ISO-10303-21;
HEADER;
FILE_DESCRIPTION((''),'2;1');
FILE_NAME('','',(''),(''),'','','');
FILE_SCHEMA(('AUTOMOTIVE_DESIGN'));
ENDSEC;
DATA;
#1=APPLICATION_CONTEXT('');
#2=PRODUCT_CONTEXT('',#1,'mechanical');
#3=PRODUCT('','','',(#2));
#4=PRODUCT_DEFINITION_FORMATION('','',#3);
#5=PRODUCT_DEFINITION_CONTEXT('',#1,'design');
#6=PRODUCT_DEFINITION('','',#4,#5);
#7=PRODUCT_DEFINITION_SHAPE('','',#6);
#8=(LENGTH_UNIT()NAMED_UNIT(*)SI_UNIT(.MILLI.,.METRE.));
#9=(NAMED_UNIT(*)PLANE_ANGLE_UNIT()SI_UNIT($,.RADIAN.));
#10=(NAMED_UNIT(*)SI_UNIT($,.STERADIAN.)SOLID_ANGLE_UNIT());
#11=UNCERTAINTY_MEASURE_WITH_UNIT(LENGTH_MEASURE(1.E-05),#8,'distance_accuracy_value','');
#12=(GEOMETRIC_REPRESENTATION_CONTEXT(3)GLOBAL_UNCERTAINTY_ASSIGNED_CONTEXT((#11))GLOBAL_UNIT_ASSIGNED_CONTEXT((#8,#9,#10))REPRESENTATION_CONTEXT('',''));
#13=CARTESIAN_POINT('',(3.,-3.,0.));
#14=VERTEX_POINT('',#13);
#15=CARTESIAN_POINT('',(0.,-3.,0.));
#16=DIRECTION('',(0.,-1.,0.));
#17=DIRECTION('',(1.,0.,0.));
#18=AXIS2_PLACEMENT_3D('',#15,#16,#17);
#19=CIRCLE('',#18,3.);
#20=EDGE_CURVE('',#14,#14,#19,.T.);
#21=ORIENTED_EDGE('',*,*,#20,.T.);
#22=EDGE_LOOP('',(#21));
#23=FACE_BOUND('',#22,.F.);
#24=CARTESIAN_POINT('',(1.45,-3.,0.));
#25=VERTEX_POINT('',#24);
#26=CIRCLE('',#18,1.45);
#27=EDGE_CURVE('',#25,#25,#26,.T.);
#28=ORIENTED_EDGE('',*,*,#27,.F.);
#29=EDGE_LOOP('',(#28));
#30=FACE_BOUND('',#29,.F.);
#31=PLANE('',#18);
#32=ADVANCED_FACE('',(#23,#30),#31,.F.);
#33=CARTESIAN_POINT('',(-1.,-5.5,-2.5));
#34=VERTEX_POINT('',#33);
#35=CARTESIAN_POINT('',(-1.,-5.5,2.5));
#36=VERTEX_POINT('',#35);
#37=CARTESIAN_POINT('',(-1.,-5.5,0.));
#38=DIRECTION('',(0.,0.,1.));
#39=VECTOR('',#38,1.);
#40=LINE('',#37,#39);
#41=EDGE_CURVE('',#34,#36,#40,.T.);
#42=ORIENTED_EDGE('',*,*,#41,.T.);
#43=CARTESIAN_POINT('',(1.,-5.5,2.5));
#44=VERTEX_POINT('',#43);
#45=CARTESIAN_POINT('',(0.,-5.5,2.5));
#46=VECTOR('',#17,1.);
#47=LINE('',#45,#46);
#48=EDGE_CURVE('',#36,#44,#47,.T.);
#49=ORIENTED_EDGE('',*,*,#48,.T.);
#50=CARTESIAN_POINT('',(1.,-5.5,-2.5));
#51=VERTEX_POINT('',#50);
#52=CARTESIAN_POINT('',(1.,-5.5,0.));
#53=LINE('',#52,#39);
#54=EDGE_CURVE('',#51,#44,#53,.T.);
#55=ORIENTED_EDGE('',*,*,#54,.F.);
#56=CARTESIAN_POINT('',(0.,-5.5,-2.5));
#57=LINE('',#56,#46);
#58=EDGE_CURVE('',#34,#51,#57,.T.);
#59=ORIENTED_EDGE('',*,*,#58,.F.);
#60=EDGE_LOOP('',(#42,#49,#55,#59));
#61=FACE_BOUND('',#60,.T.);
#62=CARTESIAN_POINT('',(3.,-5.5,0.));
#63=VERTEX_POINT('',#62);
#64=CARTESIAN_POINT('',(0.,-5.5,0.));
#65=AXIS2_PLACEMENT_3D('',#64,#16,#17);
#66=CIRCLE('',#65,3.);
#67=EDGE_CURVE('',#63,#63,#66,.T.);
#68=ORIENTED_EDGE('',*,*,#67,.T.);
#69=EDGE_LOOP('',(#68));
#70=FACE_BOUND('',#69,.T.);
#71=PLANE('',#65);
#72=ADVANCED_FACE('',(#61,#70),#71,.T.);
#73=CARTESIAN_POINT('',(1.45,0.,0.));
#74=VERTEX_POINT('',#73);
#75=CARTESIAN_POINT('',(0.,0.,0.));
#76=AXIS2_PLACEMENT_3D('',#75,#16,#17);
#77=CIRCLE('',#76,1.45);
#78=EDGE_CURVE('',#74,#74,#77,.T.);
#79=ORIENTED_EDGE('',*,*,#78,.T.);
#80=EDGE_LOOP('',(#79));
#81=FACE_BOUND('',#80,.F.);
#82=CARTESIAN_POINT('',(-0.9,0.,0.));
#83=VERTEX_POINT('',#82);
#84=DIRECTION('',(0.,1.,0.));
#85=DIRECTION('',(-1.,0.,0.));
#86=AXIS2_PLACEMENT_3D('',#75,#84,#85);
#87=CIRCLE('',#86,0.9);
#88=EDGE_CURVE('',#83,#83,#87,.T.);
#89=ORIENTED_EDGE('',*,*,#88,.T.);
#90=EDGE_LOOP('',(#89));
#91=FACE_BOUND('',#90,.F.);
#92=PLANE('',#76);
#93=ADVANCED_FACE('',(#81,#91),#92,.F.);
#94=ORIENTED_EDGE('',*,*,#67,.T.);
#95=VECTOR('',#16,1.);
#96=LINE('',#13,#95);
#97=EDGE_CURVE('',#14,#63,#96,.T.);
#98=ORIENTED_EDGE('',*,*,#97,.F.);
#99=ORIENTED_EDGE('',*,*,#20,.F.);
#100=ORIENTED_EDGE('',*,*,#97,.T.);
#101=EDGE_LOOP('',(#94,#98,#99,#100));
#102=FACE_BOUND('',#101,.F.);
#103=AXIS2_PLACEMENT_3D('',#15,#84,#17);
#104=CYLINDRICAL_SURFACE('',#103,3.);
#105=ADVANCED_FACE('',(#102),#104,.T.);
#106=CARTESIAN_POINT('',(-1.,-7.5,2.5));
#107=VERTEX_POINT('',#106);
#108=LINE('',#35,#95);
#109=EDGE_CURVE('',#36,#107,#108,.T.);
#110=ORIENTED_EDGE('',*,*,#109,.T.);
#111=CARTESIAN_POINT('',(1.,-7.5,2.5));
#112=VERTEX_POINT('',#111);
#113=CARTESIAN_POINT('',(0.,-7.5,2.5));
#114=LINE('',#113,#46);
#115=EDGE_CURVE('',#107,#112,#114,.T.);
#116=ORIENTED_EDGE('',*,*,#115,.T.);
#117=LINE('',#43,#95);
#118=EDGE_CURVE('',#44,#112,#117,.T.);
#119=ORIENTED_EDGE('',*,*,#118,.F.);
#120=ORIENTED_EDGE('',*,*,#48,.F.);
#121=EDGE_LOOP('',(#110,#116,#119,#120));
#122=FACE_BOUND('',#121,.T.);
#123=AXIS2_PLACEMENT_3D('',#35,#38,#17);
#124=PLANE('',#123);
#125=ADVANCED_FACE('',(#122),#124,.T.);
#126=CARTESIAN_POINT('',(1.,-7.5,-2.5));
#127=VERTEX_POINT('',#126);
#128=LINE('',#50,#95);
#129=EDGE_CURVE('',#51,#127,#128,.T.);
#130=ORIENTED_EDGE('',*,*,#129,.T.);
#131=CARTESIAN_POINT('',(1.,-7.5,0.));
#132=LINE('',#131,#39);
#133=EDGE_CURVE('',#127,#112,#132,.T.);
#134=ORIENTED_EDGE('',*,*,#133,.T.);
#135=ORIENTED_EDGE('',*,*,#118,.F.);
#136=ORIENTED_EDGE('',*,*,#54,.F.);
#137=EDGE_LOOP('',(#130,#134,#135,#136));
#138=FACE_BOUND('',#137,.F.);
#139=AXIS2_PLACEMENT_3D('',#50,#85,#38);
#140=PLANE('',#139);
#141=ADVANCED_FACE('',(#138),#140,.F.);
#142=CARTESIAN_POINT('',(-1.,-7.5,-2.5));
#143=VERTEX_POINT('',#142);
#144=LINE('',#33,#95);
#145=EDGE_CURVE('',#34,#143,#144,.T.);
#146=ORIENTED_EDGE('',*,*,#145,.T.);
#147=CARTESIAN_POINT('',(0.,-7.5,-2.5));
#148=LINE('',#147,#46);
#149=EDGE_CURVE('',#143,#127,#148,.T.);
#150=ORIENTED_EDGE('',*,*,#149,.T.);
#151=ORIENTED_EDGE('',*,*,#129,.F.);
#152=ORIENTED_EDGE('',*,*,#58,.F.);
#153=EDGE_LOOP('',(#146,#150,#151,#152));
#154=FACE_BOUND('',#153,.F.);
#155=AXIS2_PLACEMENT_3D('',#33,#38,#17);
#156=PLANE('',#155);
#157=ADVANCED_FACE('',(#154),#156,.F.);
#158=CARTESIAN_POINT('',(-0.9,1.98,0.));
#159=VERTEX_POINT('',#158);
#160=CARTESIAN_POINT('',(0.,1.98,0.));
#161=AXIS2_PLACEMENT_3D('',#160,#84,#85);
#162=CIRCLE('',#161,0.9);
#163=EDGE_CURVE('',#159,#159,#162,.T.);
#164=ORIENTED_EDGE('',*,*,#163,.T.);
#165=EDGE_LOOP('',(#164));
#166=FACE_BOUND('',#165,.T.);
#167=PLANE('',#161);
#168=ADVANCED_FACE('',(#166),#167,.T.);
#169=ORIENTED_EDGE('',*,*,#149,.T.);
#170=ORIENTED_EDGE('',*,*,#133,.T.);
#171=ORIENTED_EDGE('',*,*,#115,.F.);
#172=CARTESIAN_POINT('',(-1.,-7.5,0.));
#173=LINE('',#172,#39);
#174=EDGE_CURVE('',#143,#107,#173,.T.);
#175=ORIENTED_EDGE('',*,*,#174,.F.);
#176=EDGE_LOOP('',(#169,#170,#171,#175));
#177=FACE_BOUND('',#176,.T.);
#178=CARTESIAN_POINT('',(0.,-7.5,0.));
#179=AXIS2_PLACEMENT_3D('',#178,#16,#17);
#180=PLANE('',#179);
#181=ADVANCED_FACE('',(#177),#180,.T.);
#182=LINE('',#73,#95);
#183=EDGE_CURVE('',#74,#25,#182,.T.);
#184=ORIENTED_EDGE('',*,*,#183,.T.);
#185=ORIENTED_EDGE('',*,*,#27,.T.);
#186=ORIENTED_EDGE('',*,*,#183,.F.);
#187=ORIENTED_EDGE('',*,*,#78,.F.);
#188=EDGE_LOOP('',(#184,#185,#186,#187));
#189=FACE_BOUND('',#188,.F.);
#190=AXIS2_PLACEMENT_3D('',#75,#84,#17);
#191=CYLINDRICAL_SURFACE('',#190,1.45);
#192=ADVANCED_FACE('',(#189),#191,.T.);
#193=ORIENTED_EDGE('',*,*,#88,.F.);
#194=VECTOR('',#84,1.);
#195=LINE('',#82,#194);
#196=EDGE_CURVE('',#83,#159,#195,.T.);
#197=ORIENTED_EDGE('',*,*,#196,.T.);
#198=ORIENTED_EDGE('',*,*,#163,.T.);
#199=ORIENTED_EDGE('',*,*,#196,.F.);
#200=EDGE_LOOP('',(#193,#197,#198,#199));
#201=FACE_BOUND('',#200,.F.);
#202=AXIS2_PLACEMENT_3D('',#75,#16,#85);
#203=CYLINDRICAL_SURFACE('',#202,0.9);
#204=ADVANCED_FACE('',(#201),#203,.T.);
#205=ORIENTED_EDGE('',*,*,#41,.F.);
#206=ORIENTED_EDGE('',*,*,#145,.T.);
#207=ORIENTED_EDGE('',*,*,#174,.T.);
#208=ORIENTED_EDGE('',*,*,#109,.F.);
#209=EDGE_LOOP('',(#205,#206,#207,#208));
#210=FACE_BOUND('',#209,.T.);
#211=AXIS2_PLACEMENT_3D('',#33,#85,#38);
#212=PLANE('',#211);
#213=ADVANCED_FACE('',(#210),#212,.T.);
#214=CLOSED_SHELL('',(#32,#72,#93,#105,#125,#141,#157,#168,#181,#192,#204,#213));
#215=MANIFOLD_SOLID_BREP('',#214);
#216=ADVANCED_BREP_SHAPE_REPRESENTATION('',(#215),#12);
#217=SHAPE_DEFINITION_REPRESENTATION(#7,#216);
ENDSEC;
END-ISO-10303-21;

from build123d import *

# Parameters (mm, degrees)
F0_R     = 1.45
F1_DEPTH = 3
F2_R     = 3
F3_DEPTH = 2.5
F4_R     = 0.9
F5_DEPTH = 1.98
F6_W     = 2
F6_H     = 5
F7_DEPTH = 2


with BuildPart() as f1:
    # F0 (on Front) → F1 (new body)
    with BuildSketch(Plane.XZ):
        Circle(F0_R)
    extrude(amount=F1_DEPTH)

    # F2 (on face) → F3 (join)
    with BuildSketch(Plane.XZ.offset(3)):
        Circle(F2_R)
    extrude(amount=F3_DEPTH)

    # F4 (on face) → F5 (join)
    with BuildSketch(Plane(origin=(0, 0, 0), x_dir=(-1, 0, 0), z_dir=(0, 1, 0))):
        Circle(F4_R)
    extrude(amount=F5_DEPTH)

    # F6 (on face) → F7 (join)
    with BuildSketch(Plane.XZ.offset(5.5)):
        Rectangle(F6_W, F6_H)
    extrude(amount=F7_DEPTH)


solid = f1.part
